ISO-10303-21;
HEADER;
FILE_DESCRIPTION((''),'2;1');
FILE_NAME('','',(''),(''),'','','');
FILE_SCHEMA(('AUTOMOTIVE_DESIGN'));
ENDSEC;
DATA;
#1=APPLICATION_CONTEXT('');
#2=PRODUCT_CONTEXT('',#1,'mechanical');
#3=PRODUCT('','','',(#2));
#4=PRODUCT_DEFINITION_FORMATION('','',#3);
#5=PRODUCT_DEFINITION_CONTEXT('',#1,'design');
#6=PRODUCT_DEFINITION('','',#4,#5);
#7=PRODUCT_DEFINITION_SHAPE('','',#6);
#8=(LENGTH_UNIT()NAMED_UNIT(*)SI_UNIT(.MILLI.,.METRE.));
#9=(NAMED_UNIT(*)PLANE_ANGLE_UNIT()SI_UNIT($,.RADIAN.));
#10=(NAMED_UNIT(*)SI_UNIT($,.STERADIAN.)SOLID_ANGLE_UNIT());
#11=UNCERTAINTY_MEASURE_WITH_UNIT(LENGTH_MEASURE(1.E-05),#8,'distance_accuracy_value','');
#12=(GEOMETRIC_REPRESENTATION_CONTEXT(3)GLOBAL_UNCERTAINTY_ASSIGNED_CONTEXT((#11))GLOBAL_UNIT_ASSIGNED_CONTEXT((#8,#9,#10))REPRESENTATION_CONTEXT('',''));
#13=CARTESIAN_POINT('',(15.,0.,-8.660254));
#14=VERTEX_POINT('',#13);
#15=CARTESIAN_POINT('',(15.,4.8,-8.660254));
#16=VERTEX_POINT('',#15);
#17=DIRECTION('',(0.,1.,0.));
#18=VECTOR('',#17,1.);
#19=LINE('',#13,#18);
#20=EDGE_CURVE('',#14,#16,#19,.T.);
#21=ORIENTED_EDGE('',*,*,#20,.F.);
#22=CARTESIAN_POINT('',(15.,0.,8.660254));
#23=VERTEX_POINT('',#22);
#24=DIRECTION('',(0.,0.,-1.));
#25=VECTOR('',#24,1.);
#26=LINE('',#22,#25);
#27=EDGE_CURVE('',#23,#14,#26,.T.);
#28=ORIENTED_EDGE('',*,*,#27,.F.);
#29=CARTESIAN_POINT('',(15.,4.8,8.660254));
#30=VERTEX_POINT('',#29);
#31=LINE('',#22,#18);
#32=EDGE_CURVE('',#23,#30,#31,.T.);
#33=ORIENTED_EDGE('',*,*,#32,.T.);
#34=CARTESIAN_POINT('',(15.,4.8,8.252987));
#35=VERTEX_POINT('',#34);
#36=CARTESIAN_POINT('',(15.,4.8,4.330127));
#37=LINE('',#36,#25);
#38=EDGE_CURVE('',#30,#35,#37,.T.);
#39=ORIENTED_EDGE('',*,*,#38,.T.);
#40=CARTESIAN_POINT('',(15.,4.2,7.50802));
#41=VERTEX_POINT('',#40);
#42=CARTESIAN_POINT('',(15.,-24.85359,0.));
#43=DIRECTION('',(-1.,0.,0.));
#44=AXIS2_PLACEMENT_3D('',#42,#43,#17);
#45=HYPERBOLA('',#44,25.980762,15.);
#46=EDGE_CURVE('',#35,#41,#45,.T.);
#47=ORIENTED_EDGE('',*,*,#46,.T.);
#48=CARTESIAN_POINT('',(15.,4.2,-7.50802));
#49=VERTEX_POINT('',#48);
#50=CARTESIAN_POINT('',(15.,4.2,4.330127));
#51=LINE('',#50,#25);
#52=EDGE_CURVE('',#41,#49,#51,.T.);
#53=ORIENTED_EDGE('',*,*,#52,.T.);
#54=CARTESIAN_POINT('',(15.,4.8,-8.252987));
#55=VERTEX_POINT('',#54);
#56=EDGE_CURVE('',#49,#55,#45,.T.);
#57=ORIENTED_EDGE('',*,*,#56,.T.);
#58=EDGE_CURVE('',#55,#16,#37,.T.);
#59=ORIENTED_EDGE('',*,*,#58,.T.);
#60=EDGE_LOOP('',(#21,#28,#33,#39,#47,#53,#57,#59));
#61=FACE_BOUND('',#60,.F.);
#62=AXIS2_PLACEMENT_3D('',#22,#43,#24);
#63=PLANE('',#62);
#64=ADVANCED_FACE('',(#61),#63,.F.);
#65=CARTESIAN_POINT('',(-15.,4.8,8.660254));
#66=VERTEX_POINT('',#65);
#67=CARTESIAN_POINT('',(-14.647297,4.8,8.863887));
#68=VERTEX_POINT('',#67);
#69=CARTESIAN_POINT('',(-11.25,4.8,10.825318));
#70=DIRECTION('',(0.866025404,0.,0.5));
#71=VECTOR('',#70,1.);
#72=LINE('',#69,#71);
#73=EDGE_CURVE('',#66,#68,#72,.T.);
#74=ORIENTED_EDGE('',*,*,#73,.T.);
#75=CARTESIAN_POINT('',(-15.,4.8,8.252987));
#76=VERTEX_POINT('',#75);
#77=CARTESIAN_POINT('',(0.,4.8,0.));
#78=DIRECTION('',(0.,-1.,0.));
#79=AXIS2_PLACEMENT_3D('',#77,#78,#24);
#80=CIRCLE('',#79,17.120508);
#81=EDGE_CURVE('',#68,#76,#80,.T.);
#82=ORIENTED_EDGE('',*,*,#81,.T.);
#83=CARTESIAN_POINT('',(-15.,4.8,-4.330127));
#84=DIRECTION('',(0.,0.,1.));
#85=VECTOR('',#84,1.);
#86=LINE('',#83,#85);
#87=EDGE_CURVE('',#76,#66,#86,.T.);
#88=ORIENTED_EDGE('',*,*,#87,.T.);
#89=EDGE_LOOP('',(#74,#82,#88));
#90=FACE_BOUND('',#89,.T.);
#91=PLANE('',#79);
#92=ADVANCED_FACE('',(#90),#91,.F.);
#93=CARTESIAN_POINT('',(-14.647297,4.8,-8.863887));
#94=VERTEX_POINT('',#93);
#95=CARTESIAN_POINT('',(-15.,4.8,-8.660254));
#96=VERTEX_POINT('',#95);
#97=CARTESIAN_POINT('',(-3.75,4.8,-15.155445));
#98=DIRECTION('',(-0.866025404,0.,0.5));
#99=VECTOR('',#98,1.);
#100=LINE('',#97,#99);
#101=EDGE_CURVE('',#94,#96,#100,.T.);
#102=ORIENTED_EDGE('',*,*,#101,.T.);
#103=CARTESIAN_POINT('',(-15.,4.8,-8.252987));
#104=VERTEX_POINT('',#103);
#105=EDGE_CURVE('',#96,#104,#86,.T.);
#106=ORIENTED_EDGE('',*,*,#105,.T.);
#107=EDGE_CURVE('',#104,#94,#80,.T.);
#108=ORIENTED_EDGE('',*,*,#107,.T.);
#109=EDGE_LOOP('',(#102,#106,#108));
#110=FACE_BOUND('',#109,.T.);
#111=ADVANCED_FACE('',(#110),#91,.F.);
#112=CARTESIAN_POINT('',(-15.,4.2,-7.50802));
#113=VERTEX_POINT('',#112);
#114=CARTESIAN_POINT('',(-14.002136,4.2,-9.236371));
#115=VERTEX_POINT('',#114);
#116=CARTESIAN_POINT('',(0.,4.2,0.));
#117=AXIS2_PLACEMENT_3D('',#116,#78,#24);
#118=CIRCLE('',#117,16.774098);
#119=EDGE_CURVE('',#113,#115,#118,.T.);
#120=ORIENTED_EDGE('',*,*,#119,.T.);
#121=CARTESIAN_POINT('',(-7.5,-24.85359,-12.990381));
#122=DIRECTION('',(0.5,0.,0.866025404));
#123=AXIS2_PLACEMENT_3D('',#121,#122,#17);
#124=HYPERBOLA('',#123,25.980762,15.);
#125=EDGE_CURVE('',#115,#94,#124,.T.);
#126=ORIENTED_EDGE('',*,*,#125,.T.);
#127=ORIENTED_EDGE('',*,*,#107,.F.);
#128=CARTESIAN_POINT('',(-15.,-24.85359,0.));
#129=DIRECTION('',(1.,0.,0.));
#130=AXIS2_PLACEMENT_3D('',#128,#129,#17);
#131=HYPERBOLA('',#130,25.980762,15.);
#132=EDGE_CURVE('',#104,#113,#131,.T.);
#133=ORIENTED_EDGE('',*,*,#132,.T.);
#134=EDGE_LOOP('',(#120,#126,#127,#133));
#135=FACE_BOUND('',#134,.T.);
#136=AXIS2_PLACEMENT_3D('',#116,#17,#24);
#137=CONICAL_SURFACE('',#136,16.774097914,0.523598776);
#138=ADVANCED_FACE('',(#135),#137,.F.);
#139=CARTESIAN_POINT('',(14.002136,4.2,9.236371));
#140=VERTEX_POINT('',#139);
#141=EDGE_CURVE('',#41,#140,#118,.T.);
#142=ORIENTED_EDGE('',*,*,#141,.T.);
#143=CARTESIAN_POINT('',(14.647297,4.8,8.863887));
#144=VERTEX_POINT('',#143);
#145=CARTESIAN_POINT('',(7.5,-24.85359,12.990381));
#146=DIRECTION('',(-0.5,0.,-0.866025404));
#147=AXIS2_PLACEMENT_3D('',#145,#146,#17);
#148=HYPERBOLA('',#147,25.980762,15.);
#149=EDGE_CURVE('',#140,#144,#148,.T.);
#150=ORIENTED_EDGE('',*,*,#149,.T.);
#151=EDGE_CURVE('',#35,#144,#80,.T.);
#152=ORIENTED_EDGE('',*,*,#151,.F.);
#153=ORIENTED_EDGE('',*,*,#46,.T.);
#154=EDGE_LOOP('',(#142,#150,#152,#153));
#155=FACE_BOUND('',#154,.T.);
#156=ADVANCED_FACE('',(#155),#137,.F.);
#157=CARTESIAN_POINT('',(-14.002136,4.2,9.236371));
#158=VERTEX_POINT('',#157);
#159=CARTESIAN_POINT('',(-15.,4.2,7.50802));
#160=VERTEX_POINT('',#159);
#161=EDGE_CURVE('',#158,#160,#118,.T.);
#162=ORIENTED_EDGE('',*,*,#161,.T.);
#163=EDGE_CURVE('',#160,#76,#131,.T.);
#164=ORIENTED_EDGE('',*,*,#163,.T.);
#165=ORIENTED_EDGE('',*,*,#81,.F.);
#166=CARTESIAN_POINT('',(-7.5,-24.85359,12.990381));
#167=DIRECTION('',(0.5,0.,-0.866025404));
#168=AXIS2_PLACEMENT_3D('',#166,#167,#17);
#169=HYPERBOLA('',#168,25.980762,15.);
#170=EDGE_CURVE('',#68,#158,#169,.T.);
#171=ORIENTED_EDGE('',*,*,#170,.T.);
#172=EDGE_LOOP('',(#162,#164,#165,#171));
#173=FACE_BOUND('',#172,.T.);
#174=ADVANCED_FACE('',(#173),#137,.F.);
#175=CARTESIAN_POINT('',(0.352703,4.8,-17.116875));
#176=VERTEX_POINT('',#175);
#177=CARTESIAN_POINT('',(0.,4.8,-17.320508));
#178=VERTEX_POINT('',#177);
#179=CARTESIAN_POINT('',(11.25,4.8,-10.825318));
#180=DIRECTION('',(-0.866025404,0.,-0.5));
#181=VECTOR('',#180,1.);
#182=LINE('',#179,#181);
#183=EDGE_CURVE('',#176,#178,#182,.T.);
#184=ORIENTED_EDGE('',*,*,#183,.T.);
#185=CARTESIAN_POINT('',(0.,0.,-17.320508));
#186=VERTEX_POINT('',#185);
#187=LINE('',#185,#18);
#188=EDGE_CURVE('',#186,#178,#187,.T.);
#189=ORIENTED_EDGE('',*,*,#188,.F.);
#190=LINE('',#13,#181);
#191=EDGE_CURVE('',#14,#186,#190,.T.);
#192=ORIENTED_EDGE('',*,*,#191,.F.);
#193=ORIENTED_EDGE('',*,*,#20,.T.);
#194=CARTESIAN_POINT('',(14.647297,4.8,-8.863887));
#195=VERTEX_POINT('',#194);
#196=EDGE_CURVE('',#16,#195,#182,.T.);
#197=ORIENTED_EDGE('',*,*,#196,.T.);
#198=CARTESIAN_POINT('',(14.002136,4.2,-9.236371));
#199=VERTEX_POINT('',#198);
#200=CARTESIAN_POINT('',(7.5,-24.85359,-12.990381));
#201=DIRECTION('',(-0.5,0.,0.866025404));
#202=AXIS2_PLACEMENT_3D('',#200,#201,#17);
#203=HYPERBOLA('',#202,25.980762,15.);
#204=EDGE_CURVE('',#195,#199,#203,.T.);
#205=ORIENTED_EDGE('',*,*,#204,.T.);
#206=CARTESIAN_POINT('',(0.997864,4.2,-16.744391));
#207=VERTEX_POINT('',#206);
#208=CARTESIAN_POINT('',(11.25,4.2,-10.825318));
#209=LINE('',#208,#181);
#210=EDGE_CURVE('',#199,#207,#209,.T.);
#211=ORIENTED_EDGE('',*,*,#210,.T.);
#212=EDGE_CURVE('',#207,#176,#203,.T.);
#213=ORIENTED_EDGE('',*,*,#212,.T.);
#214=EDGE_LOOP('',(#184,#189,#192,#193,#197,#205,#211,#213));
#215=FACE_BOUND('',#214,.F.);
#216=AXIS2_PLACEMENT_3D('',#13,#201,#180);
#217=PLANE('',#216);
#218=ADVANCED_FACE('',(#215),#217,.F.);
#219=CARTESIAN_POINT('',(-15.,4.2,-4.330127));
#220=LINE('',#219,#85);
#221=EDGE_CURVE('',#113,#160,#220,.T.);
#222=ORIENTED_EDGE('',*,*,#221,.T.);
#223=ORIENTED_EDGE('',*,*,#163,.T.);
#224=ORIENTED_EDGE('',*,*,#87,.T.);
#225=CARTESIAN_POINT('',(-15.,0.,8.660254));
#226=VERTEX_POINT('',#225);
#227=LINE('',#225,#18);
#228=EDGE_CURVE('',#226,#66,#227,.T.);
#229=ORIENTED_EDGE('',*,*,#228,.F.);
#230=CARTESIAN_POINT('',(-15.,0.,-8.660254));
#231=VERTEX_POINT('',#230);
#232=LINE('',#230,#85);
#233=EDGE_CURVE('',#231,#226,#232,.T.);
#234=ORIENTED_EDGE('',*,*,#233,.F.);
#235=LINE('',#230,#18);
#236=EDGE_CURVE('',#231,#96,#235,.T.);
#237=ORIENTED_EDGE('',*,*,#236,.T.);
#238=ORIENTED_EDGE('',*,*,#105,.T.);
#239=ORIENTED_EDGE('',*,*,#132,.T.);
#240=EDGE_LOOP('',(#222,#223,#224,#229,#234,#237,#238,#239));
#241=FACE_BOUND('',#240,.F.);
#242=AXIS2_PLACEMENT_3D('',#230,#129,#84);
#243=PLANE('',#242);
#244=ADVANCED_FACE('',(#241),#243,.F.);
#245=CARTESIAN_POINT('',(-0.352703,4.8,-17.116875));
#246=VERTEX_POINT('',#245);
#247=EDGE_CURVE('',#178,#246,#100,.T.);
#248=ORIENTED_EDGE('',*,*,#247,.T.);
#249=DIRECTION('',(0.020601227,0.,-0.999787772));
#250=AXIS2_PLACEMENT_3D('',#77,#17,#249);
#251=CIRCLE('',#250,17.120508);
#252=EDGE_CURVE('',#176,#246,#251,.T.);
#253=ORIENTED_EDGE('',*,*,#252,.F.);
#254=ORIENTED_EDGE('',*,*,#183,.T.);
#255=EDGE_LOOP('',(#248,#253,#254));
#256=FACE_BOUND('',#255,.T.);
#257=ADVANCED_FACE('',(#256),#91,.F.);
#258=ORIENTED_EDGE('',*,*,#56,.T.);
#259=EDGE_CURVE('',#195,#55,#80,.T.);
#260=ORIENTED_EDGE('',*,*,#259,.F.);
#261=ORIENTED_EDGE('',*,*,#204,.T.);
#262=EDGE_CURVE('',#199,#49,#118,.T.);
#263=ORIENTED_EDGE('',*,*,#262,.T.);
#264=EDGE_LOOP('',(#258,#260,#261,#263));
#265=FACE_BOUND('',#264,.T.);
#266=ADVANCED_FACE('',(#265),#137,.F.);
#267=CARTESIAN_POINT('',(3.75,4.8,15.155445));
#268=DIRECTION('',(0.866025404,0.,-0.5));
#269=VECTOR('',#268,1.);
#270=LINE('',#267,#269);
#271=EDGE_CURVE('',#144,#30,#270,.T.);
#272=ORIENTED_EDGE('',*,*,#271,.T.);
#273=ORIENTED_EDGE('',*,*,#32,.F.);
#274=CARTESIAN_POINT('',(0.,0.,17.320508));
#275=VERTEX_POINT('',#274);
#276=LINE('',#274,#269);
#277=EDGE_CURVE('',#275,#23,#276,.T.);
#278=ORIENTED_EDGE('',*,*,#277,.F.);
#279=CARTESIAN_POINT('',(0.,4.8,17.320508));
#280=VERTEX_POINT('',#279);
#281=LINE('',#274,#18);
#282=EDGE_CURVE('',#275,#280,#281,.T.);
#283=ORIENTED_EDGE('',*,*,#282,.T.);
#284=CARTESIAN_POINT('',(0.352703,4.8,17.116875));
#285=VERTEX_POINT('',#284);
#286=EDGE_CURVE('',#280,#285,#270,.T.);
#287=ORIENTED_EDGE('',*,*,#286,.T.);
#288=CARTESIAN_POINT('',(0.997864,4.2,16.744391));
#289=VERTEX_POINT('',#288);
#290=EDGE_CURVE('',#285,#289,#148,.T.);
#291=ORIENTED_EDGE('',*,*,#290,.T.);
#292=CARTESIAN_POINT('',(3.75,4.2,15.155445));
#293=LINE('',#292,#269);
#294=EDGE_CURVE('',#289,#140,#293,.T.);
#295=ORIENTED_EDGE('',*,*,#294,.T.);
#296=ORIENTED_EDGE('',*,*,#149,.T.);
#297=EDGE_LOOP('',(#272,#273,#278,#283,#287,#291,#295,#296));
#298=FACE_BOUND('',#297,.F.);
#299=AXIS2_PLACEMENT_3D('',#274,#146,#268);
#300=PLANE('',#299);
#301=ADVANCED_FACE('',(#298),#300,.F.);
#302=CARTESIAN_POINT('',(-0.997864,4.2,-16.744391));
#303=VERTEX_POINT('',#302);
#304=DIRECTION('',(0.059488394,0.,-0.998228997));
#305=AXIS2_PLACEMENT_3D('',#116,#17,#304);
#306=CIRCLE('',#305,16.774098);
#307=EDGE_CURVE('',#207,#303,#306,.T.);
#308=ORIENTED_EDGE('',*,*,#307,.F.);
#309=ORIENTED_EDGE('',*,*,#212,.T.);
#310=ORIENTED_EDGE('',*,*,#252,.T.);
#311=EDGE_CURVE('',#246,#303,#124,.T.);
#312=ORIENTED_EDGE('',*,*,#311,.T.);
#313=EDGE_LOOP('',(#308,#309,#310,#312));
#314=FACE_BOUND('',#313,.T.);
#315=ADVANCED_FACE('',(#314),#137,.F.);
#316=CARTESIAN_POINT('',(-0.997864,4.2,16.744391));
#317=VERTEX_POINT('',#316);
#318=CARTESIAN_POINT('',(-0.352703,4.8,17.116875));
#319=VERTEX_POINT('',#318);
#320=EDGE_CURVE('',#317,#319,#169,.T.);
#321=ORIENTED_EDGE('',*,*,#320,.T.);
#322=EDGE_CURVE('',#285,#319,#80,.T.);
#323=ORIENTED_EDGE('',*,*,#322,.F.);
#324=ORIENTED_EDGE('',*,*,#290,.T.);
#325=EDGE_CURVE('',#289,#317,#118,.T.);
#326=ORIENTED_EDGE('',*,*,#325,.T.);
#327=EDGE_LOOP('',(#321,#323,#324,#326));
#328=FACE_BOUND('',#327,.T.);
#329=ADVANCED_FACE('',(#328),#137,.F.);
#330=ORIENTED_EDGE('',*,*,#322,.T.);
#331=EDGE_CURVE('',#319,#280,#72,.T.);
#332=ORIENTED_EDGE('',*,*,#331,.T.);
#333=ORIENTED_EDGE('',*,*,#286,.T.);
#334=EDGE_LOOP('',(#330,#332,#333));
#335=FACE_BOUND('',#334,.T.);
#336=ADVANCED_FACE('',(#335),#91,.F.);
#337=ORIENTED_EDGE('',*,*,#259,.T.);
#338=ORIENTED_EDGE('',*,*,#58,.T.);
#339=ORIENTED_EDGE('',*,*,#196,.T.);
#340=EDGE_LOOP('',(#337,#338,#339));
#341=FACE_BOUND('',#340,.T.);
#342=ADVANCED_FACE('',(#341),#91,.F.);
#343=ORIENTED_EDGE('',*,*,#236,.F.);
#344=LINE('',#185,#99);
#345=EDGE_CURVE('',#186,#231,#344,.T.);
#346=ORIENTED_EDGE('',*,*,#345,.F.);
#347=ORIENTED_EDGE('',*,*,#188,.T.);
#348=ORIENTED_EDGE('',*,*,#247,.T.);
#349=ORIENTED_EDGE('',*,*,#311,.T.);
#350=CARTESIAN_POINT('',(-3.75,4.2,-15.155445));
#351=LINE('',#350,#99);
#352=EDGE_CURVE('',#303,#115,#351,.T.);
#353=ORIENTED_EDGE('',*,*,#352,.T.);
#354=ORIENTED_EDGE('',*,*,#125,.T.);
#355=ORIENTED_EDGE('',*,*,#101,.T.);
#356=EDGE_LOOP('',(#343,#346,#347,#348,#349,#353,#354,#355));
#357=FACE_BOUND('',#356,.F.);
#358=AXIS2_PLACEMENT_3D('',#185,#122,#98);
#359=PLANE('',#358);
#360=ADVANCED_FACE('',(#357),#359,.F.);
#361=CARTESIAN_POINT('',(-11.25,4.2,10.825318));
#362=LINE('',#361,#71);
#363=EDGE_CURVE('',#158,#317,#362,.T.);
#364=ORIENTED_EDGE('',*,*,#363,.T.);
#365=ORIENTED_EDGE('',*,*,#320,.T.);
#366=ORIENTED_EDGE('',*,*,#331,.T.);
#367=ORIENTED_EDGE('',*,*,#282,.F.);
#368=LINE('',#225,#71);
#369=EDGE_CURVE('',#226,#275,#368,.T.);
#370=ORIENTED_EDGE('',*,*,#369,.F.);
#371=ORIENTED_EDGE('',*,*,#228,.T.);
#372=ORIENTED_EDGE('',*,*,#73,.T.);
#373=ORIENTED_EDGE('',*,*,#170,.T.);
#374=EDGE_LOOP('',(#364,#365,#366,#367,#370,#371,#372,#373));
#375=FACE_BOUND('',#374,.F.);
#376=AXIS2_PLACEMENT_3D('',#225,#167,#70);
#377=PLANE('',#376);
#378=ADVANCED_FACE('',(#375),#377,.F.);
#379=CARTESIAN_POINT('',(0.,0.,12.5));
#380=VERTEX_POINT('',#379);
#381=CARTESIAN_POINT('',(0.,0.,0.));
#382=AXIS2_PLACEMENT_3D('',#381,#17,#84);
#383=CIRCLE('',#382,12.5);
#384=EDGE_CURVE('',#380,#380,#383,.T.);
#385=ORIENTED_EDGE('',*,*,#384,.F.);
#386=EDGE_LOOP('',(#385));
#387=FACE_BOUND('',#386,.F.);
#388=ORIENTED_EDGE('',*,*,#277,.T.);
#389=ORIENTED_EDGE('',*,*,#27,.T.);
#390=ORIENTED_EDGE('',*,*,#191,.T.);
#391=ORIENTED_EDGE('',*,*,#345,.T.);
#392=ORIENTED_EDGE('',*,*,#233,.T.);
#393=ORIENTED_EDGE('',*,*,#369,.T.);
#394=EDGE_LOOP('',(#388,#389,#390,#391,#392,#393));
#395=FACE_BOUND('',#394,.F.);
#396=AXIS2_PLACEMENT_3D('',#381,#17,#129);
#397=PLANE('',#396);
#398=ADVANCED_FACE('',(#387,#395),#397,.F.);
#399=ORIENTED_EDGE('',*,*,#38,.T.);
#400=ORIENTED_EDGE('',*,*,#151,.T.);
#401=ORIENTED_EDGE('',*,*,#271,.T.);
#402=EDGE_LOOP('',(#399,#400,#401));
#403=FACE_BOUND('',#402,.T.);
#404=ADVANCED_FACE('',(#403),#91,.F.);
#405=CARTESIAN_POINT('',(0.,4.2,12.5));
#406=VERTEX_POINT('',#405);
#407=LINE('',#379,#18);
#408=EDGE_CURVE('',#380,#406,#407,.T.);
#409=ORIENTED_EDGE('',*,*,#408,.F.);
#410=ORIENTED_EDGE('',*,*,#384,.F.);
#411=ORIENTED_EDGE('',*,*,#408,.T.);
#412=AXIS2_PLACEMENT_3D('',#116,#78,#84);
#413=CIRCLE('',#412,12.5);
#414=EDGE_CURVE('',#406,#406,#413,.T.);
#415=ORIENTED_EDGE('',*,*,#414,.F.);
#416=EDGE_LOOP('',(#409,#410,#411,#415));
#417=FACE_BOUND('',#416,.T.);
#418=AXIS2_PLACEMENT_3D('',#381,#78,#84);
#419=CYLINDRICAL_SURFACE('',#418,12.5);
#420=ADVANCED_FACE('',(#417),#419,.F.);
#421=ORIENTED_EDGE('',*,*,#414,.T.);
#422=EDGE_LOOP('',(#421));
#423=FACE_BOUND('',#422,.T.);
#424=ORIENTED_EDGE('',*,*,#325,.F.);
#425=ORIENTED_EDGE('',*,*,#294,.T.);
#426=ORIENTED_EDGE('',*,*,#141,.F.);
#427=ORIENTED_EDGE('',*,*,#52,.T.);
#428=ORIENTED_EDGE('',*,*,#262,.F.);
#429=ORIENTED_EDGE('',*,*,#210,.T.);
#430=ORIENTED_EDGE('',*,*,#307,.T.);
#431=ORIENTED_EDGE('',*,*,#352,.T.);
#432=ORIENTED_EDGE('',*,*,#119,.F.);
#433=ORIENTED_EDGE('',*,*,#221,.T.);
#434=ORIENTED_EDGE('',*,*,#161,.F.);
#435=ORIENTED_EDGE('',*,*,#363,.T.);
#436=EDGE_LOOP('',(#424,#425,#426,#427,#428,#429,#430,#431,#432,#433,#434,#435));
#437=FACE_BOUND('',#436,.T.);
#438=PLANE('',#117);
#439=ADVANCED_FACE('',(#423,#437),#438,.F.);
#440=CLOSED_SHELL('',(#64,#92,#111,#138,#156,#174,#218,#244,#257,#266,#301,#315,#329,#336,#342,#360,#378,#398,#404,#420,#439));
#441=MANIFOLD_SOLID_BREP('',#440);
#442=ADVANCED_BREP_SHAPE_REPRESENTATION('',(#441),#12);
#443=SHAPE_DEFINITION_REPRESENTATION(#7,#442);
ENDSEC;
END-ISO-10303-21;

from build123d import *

# Parameters (mm, degrees)
SKETCH1_R      = 12.5
EXTRUDE1_DEPTH = 7


with BuildPart() as part:
    # Sketch1 → Extrude1 (new body)
    with BuildSketch(Plane(origin=(0, 0, 0), x_dir=(1, 0, 0), z_dir=(0, 1, 0))):
        Polygon((0, 17.320508076), (-15, 8.660254038), (-15, -8.660254038), (0, -17.320508076), (15, -8.660254038), (15, 8.660254038), align=None)
        with Locations(Location((0, 0, 0), (0, 0, 270))):
            Circle(SKETCH1_R, mode=Mode.SUBTRACT)
    extrude(amount=EXTRUDE1_DEPTH)

    # Sketch2 → Cut-Revolve1 (revolve, cut)
    with BuildSketch(Plane(origin=(0, 0, 0), x_dir=(0, 0, -1), z_dir=(1, 0, 0)), mode=Mode.PRIVATE) as cut_revolve1_sk:
        Polygon((0, 4.2), (-16.774097914, 4.2), (-17.120508076, 4.8), (-17.320508076, 4.8), (-17.320508076, 15.108314228), (0, 15.108314228), align=None)
    revolve(cut_revolve1_sk.sketch.rotate(Axis((0, 15.108314228, 0), (0, -1, 0)), 180), axis=Axis((0, 15.108314228, 0), (0, -1, 0)), mode=Mode.SUBTRACT)


solid = part.part
